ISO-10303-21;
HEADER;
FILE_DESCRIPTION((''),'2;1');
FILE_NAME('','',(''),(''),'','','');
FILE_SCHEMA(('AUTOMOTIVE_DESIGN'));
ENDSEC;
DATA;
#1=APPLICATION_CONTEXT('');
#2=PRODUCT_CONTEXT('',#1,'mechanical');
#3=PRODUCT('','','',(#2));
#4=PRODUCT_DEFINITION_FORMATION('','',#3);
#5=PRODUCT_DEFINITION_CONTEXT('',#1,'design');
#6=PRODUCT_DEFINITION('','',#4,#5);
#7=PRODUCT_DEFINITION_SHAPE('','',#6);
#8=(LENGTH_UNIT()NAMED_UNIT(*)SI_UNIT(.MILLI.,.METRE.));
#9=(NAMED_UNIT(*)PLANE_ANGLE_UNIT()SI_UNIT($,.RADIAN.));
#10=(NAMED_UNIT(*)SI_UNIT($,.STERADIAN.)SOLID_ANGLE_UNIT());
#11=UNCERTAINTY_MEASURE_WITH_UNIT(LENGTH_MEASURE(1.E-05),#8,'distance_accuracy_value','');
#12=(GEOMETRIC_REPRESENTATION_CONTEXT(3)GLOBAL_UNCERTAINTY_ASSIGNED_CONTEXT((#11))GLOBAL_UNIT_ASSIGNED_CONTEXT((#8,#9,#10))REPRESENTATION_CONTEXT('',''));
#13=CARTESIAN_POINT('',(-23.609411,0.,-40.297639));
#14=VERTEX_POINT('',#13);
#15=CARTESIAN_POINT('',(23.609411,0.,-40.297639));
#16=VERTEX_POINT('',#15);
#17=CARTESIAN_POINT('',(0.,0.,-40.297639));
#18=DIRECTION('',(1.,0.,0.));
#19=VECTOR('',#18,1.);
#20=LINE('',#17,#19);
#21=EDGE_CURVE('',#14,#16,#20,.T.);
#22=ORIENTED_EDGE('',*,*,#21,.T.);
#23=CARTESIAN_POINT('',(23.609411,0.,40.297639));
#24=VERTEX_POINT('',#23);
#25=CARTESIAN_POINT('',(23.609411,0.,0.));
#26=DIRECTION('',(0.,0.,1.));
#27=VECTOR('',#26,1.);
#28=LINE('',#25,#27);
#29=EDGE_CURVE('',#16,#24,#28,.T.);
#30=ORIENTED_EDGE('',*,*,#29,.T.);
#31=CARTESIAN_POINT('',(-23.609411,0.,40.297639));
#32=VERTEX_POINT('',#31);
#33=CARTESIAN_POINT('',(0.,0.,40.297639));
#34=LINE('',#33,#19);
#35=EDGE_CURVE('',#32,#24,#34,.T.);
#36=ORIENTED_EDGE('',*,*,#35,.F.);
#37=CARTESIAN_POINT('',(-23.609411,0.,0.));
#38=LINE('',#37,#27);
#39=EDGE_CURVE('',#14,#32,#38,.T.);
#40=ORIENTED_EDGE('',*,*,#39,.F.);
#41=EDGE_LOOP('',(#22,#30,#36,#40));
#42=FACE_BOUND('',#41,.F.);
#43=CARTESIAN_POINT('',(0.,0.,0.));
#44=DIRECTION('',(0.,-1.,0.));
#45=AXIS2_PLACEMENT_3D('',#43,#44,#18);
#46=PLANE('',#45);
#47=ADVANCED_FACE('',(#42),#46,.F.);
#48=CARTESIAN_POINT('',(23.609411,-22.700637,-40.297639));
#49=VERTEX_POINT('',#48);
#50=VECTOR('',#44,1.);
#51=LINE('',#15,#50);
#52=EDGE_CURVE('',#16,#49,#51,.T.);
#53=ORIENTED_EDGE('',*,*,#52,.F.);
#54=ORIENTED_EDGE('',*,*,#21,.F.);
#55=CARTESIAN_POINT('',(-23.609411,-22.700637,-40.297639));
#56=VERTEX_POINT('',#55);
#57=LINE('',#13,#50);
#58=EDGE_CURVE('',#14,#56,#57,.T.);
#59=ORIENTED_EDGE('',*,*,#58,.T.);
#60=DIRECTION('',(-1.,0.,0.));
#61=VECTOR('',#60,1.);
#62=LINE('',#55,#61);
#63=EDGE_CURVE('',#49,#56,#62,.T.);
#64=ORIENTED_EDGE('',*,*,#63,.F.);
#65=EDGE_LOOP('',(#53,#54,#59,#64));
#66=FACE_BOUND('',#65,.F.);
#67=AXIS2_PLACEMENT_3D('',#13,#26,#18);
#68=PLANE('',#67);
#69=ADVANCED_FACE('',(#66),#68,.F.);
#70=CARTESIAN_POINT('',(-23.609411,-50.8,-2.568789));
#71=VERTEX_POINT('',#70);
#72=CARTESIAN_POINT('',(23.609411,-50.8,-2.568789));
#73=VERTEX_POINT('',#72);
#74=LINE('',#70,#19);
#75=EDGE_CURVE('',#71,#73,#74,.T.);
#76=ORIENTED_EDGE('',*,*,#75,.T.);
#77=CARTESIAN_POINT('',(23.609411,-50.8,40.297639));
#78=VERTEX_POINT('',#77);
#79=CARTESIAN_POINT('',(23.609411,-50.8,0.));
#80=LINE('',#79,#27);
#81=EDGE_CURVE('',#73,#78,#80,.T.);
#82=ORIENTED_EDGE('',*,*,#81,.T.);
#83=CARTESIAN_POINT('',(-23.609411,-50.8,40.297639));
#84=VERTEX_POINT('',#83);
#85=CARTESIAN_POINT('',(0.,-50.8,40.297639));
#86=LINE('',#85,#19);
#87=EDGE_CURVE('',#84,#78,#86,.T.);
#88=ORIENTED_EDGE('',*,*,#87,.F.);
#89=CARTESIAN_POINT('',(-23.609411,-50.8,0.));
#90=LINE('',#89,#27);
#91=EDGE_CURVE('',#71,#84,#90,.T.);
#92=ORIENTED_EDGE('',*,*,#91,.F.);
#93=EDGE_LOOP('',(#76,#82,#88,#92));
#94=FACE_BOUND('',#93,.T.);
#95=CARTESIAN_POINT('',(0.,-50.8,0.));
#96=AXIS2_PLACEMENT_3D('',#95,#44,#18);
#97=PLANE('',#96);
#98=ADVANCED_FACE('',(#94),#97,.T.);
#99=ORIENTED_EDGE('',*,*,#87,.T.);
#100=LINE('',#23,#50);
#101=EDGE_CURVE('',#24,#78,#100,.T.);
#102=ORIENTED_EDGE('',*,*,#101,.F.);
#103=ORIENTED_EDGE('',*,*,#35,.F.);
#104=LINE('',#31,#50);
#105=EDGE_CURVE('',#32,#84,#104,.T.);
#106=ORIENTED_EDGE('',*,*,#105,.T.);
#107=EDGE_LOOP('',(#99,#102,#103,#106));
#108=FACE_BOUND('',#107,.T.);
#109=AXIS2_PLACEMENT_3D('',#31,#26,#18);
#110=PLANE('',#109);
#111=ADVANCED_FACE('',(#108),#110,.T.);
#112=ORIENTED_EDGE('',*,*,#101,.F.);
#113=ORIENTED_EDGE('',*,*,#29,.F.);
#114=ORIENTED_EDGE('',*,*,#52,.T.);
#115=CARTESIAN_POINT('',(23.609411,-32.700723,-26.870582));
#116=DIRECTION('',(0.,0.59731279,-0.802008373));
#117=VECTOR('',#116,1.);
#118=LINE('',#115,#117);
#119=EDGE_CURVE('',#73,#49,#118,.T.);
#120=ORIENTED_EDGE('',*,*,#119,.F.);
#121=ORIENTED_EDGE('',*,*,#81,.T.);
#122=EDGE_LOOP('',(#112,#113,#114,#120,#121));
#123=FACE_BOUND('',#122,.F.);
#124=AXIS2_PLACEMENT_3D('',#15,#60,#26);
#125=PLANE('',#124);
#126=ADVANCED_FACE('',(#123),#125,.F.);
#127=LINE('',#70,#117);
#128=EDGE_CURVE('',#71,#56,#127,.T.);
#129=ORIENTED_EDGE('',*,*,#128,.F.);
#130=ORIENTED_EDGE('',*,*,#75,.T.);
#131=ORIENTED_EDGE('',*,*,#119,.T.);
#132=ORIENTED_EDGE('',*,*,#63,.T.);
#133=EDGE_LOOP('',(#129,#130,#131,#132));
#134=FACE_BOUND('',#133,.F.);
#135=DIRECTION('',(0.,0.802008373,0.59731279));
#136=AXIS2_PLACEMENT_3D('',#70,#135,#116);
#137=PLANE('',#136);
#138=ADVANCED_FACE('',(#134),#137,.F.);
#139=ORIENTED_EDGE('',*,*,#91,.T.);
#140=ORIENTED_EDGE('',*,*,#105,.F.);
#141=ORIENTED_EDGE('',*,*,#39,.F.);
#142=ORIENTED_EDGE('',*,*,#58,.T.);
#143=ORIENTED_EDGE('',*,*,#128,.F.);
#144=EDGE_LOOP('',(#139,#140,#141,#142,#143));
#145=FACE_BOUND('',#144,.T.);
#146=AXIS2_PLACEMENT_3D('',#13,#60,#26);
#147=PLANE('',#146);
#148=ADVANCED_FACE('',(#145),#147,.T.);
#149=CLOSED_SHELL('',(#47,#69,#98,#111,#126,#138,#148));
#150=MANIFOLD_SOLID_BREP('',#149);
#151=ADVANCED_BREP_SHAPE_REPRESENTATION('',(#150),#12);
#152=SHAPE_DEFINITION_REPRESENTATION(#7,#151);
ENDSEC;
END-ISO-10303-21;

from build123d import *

# Parameters (mm, degrees)
F0_W     = 47.218822
F0_H     = 80.595278
F1_DEPTH = 50.8
F3_DEPTH = 47.219822


with BuildPart() as f1:
    # F0 (on Front) → F1 (new body)
    with BuildSketch(Plane.XZ):
        Rectangle(F0_W, F0_H)
    extrude(amount=F1_DEPTH)

    # F2 (on face) → F3 (cut, through all)
    with BuildSketch(Plane(origin=(-23.609411, 0, 0), x_dir=(0, -1, 0), z_dir=(-1, 0, 0))):
        Polygon((59.437972, 1.700665), (50.8, -2.568789), (16.242092, -48.969489), (63.080169, -48.969489), align=None)
    extrude(amount=-F3_DEPTH, mode=Mode.SUBTRACT)


solid = f1.part
